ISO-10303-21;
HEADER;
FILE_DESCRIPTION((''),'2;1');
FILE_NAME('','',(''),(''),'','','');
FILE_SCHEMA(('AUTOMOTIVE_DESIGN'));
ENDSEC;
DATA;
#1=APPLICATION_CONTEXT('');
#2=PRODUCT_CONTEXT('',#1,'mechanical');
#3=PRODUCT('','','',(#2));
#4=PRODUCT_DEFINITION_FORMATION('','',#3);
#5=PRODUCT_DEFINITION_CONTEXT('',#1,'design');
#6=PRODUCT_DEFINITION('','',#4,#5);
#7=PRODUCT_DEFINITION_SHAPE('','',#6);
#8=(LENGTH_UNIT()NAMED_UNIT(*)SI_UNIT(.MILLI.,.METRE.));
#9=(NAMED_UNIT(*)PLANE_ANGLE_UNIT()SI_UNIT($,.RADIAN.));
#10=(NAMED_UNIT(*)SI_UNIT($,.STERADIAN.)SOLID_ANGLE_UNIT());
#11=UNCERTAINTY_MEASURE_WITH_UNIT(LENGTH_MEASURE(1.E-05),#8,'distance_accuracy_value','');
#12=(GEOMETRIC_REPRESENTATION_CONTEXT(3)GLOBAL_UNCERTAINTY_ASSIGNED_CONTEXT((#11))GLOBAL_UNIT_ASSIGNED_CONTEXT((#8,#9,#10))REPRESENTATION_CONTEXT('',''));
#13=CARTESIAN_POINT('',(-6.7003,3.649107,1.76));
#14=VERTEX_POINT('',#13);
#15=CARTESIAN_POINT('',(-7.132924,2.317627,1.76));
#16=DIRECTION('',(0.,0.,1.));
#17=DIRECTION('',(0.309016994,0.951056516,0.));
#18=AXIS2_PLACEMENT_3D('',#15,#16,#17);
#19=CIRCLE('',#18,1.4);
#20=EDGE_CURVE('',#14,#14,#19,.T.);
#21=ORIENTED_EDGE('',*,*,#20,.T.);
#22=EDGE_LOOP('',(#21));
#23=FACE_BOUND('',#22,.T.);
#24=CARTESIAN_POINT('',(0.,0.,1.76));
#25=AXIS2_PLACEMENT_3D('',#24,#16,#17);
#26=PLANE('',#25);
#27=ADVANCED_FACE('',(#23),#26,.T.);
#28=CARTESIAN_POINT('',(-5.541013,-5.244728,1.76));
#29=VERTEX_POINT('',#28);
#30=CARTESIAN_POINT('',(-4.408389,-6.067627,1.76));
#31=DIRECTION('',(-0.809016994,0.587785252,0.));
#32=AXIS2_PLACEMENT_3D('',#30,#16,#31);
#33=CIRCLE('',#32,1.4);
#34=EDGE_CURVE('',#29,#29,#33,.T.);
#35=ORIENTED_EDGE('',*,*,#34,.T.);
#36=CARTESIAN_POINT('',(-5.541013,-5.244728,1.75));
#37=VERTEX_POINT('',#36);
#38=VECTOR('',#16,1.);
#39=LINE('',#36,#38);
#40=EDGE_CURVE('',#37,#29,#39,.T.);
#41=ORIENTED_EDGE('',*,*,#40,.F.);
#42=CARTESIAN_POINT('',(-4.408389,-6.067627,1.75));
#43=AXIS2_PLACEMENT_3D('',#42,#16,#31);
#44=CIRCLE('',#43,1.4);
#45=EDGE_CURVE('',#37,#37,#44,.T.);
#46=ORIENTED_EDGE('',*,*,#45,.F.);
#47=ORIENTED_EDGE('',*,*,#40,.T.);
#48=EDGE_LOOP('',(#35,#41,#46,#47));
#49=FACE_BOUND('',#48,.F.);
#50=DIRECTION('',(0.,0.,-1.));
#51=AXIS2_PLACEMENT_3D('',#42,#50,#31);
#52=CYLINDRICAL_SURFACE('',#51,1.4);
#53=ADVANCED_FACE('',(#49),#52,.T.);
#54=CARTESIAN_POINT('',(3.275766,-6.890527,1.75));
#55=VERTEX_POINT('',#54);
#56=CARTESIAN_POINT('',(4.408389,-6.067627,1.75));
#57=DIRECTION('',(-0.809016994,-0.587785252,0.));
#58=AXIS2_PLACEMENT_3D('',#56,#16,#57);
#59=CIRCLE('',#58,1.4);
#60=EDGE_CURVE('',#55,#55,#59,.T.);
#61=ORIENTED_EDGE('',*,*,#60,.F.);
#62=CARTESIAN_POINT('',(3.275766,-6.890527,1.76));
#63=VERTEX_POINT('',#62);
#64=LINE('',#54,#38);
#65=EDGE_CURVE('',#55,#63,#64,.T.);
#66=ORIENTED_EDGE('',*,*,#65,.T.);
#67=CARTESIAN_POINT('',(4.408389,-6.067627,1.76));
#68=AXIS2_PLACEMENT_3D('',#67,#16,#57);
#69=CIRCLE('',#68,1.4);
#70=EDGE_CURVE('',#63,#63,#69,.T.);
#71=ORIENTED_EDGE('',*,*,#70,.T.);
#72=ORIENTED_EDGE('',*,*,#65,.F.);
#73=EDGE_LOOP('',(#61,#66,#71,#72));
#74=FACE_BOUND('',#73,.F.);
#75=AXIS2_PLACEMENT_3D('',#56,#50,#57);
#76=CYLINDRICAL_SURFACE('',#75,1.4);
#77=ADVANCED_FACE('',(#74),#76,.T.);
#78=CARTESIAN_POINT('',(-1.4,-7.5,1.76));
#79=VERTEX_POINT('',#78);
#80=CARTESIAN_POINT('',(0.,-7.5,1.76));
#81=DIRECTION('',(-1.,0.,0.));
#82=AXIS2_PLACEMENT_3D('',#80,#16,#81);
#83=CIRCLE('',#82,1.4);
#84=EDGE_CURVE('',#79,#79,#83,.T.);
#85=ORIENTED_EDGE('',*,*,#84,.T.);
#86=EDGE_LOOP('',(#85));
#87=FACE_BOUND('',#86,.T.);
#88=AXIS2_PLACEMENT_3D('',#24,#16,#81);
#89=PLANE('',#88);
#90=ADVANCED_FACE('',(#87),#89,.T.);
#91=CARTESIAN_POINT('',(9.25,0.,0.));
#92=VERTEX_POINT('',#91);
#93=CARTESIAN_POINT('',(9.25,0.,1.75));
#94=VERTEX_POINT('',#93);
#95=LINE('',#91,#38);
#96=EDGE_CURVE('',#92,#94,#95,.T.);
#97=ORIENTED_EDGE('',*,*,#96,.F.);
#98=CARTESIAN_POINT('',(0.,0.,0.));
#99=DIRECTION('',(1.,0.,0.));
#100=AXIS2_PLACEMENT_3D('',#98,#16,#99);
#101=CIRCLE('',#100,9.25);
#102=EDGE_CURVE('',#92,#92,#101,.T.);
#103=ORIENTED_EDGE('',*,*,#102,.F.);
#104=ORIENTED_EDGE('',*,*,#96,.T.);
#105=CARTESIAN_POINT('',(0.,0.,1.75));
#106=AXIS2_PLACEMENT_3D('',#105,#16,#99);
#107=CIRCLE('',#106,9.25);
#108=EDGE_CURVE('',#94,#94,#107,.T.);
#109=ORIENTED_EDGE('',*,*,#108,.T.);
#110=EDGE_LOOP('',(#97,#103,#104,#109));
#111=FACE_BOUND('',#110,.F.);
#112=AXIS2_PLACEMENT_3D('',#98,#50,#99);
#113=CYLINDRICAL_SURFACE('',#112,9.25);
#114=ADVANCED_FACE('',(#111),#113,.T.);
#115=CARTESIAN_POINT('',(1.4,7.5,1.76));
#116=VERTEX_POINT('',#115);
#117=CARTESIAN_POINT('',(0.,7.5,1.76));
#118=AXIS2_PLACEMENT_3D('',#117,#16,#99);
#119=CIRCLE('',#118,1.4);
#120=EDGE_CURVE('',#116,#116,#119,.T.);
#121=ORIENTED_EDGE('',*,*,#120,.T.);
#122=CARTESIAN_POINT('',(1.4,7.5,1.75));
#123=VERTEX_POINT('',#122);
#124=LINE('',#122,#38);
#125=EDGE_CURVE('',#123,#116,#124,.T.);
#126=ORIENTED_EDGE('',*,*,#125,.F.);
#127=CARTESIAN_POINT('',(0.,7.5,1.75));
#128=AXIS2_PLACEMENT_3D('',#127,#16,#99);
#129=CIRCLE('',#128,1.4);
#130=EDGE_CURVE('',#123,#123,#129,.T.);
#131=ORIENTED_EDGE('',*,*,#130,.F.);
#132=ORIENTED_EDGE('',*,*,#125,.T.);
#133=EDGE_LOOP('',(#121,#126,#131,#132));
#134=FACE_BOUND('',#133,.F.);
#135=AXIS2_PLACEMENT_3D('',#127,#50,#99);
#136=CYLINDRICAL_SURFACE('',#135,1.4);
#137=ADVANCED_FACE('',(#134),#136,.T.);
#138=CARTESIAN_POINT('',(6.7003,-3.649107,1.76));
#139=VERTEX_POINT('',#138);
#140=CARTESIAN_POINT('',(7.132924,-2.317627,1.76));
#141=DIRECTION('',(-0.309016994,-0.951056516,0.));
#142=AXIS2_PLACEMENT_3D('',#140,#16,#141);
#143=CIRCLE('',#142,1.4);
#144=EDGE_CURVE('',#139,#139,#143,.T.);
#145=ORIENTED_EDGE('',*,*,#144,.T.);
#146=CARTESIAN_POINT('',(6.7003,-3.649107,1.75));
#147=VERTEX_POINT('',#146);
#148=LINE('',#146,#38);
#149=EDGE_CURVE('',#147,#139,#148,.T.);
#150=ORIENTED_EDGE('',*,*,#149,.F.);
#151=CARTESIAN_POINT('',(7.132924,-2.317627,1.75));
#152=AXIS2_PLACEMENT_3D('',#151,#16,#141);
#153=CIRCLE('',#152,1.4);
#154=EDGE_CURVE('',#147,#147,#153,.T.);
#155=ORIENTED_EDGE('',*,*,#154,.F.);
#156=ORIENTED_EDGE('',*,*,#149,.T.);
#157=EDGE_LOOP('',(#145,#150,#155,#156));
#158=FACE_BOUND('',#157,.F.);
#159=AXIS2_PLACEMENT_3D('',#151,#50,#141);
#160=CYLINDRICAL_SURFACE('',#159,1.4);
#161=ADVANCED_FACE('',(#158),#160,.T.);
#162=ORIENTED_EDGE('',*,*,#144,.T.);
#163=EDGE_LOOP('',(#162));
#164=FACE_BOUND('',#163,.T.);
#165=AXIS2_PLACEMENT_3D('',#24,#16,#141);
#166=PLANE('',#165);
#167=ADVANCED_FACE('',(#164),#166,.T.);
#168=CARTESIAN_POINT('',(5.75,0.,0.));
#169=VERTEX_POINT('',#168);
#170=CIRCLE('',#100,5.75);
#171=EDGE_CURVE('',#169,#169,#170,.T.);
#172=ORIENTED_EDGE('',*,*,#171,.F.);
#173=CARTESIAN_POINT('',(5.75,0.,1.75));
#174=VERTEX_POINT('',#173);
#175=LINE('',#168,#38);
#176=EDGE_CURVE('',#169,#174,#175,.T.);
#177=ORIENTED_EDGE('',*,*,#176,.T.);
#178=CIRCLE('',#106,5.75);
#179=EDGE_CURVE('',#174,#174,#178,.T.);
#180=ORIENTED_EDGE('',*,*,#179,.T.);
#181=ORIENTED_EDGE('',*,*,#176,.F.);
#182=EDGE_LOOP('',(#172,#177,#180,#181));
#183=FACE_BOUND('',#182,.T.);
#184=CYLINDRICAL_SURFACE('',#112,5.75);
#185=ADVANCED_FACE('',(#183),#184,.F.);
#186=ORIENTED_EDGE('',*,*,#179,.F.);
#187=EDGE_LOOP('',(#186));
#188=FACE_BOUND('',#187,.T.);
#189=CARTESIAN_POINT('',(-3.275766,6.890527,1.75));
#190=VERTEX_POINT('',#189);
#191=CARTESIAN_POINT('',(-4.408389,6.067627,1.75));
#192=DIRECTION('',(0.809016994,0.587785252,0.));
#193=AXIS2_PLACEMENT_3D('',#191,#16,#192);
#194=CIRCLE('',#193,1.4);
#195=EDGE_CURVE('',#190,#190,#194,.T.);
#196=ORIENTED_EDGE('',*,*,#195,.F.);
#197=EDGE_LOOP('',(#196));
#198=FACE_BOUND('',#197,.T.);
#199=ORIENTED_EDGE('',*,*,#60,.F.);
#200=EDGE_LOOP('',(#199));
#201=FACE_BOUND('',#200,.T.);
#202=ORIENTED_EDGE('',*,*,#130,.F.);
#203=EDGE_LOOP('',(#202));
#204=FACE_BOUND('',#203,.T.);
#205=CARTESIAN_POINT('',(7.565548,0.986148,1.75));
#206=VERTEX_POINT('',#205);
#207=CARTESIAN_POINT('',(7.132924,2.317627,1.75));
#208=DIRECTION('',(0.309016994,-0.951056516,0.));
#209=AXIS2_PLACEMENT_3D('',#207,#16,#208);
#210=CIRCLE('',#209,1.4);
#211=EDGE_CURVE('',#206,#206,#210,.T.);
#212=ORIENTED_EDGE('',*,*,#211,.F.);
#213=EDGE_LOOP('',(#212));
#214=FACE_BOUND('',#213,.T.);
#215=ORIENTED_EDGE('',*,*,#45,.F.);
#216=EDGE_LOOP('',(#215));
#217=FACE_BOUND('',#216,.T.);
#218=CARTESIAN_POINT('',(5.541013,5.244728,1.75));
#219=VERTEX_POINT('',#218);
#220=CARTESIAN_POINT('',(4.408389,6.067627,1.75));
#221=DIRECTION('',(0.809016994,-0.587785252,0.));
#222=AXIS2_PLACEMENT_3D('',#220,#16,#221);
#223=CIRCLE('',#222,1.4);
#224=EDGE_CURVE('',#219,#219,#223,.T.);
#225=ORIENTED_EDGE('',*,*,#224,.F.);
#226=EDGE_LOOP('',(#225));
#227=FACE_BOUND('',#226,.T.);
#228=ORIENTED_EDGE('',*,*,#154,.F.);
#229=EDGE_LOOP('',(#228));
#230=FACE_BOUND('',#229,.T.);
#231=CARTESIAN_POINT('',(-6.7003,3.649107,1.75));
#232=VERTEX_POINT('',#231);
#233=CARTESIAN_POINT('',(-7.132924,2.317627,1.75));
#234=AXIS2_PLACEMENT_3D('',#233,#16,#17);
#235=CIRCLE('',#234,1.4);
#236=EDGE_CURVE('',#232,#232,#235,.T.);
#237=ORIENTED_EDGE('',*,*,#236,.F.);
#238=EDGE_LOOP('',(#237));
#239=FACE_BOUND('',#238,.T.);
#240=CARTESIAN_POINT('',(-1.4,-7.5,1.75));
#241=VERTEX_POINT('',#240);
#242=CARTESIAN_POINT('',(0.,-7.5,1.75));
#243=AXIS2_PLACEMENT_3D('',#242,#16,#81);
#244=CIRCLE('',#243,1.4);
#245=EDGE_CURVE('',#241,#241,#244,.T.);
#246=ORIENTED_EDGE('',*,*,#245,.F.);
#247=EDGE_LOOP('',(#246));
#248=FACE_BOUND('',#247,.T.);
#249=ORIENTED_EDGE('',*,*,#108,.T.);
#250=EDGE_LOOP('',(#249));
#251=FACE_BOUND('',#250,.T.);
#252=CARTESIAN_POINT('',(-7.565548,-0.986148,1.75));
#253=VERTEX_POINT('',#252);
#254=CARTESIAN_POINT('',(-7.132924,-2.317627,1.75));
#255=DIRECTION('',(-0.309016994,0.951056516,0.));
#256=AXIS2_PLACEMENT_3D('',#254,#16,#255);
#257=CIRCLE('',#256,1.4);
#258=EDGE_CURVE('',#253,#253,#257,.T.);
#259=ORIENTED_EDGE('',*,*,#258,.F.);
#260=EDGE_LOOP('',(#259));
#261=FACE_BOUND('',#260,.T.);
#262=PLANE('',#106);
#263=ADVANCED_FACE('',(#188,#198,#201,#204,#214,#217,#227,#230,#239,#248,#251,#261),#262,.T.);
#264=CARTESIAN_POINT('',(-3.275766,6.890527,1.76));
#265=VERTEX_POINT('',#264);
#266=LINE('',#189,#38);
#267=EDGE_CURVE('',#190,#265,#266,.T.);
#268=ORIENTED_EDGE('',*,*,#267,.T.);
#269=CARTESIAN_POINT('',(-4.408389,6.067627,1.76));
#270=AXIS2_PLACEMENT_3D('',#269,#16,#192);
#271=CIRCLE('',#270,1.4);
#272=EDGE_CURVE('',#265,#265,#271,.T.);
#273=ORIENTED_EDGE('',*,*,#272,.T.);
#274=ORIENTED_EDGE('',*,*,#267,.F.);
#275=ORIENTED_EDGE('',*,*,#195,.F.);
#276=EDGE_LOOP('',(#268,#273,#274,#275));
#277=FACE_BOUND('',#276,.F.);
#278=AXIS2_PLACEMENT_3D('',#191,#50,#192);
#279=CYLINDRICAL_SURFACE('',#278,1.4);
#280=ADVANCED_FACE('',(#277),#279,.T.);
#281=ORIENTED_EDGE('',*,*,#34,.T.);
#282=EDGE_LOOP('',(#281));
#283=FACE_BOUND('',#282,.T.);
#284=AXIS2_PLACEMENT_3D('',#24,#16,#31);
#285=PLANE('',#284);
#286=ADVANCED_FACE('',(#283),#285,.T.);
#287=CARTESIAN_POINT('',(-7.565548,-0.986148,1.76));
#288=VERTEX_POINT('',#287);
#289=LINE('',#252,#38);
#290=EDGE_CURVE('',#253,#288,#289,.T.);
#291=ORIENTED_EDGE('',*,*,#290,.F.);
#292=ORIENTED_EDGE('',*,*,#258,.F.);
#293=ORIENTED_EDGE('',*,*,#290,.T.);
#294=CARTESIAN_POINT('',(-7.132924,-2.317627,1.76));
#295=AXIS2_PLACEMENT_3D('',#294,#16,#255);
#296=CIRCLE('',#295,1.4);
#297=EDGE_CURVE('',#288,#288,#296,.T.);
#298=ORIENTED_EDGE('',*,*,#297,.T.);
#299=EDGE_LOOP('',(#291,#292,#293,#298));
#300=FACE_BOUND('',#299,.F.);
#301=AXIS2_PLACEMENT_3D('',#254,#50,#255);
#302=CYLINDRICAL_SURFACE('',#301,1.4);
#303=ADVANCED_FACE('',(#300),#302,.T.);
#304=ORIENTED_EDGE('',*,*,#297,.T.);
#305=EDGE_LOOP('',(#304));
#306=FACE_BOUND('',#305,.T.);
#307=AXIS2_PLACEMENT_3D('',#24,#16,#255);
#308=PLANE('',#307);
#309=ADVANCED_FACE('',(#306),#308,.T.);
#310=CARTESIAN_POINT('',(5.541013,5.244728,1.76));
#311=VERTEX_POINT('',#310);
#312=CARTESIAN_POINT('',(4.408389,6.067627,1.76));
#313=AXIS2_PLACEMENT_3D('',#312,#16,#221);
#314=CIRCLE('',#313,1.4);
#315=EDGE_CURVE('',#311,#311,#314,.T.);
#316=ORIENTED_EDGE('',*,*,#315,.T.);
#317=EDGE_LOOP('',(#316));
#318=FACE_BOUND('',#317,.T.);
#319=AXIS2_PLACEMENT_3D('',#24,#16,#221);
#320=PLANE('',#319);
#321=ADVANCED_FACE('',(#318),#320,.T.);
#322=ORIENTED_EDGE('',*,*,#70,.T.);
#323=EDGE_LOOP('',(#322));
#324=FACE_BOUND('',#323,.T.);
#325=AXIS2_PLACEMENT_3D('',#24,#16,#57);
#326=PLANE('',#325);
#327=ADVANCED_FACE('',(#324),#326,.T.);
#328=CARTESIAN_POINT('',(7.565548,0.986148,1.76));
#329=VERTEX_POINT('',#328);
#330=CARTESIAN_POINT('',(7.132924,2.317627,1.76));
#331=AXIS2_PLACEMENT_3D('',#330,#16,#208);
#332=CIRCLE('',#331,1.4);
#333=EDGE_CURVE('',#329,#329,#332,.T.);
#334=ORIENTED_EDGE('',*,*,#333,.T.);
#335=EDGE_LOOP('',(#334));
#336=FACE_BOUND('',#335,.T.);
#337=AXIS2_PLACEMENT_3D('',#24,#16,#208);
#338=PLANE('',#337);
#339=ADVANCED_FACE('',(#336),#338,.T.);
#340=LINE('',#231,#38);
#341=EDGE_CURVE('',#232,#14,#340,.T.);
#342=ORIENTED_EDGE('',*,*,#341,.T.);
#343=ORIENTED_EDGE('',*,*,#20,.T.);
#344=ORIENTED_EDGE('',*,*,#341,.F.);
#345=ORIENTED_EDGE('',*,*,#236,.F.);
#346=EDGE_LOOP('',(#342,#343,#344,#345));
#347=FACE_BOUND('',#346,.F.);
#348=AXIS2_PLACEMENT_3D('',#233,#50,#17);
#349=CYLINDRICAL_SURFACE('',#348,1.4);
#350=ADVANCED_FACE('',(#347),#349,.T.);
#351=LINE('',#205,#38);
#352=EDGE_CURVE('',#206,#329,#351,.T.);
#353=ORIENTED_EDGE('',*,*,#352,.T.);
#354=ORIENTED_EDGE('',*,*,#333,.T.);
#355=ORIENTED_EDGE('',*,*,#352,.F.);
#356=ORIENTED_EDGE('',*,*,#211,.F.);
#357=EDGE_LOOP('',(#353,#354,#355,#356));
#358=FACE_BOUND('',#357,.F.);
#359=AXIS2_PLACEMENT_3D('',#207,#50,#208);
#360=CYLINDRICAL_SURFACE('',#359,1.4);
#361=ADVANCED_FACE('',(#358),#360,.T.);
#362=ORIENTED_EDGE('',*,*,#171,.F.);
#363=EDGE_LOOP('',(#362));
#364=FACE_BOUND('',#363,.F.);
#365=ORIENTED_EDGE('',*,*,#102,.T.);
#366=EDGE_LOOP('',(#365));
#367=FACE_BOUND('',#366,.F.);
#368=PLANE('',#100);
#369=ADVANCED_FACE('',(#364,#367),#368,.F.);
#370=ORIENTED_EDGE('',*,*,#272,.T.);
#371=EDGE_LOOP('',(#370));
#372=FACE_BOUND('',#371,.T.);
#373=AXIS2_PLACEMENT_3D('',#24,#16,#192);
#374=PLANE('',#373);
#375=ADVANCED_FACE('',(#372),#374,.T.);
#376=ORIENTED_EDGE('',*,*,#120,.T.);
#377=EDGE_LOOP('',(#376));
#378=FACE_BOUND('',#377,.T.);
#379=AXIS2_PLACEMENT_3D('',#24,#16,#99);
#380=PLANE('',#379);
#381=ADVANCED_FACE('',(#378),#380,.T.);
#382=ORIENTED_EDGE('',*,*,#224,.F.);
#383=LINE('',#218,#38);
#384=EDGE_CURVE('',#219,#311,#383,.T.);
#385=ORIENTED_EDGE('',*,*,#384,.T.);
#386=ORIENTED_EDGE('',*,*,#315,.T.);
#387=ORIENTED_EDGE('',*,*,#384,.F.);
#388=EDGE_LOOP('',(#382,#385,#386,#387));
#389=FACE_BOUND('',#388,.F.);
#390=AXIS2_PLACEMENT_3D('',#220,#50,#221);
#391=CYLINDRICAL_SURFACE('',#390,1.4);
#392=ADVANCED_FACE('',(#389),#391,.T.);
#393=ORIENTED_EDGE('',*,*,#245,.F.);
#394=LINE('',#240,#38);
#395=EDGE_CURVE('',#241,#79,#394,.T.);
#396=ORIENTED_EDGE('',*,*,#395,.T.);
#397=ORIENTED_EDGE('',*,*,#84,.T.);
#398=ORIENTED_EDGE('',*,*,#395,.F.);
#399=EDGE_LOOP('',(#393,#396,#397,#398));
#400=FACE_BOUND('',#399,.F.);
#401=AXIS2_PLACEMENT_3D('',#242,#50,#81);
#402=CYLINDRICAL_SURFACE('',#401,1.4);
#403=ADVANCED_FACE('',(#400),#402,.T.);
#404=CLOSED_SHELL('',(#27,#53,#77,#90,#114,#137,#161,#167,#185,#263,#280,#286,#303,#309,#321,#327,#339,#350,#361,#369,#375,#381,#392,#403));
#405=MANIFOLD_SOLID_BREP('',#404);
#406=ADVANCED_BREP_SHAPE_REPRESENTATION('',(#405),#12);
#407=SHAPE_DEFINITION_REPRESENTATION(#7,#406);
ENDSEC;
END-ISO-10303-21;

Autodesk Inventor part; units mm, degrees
ref_plane "YZ Plane" through (0, 0, 0) normal (1, 0, 0) x (0, 1, 0)
ref_plane "XZ Plane" through (0, 0, 0) normal (0, 1, 0) x (-1, 0, 0)
ref_plane "XY Plane" through (0, 0, 0) normal (0, 0, 1) x (1, 0, 0)
sketch "Sketch1" plane through (0, 0, 0) normal (0, 0, 1) x (1, 0, 0)
  circle A0 centre (0, 0) radius 9.25
  circle A1 centre (0, 0) radius 5.75
  dimension "d0" = 11.5
  dimension "d1" = 18.5
extrude "Extrusion1" add sketch "Sketch1" along normal blind 1.75
sketch "Sketch2" plane through (0, 0, 1.75) normal (0, 0, 1) x (1, 0, 0)
  circle A0 centre (0, 0) radius 5.75 projected
  circle A1 centre (0, 7.5) radius 1.4
  dimension "d4" = 7.5
  dimension "d5" = 2.8
extrude "Extrusion2" add sketch "Sketch2" along normal blind 0.01 contours A1
pattern_circular "Circular Pattern1" count 10 over 360 about axis through (0, 0, 0) along (0, 0, 1) of "Extrusion2"
properties part number "Capsule.contactring"
